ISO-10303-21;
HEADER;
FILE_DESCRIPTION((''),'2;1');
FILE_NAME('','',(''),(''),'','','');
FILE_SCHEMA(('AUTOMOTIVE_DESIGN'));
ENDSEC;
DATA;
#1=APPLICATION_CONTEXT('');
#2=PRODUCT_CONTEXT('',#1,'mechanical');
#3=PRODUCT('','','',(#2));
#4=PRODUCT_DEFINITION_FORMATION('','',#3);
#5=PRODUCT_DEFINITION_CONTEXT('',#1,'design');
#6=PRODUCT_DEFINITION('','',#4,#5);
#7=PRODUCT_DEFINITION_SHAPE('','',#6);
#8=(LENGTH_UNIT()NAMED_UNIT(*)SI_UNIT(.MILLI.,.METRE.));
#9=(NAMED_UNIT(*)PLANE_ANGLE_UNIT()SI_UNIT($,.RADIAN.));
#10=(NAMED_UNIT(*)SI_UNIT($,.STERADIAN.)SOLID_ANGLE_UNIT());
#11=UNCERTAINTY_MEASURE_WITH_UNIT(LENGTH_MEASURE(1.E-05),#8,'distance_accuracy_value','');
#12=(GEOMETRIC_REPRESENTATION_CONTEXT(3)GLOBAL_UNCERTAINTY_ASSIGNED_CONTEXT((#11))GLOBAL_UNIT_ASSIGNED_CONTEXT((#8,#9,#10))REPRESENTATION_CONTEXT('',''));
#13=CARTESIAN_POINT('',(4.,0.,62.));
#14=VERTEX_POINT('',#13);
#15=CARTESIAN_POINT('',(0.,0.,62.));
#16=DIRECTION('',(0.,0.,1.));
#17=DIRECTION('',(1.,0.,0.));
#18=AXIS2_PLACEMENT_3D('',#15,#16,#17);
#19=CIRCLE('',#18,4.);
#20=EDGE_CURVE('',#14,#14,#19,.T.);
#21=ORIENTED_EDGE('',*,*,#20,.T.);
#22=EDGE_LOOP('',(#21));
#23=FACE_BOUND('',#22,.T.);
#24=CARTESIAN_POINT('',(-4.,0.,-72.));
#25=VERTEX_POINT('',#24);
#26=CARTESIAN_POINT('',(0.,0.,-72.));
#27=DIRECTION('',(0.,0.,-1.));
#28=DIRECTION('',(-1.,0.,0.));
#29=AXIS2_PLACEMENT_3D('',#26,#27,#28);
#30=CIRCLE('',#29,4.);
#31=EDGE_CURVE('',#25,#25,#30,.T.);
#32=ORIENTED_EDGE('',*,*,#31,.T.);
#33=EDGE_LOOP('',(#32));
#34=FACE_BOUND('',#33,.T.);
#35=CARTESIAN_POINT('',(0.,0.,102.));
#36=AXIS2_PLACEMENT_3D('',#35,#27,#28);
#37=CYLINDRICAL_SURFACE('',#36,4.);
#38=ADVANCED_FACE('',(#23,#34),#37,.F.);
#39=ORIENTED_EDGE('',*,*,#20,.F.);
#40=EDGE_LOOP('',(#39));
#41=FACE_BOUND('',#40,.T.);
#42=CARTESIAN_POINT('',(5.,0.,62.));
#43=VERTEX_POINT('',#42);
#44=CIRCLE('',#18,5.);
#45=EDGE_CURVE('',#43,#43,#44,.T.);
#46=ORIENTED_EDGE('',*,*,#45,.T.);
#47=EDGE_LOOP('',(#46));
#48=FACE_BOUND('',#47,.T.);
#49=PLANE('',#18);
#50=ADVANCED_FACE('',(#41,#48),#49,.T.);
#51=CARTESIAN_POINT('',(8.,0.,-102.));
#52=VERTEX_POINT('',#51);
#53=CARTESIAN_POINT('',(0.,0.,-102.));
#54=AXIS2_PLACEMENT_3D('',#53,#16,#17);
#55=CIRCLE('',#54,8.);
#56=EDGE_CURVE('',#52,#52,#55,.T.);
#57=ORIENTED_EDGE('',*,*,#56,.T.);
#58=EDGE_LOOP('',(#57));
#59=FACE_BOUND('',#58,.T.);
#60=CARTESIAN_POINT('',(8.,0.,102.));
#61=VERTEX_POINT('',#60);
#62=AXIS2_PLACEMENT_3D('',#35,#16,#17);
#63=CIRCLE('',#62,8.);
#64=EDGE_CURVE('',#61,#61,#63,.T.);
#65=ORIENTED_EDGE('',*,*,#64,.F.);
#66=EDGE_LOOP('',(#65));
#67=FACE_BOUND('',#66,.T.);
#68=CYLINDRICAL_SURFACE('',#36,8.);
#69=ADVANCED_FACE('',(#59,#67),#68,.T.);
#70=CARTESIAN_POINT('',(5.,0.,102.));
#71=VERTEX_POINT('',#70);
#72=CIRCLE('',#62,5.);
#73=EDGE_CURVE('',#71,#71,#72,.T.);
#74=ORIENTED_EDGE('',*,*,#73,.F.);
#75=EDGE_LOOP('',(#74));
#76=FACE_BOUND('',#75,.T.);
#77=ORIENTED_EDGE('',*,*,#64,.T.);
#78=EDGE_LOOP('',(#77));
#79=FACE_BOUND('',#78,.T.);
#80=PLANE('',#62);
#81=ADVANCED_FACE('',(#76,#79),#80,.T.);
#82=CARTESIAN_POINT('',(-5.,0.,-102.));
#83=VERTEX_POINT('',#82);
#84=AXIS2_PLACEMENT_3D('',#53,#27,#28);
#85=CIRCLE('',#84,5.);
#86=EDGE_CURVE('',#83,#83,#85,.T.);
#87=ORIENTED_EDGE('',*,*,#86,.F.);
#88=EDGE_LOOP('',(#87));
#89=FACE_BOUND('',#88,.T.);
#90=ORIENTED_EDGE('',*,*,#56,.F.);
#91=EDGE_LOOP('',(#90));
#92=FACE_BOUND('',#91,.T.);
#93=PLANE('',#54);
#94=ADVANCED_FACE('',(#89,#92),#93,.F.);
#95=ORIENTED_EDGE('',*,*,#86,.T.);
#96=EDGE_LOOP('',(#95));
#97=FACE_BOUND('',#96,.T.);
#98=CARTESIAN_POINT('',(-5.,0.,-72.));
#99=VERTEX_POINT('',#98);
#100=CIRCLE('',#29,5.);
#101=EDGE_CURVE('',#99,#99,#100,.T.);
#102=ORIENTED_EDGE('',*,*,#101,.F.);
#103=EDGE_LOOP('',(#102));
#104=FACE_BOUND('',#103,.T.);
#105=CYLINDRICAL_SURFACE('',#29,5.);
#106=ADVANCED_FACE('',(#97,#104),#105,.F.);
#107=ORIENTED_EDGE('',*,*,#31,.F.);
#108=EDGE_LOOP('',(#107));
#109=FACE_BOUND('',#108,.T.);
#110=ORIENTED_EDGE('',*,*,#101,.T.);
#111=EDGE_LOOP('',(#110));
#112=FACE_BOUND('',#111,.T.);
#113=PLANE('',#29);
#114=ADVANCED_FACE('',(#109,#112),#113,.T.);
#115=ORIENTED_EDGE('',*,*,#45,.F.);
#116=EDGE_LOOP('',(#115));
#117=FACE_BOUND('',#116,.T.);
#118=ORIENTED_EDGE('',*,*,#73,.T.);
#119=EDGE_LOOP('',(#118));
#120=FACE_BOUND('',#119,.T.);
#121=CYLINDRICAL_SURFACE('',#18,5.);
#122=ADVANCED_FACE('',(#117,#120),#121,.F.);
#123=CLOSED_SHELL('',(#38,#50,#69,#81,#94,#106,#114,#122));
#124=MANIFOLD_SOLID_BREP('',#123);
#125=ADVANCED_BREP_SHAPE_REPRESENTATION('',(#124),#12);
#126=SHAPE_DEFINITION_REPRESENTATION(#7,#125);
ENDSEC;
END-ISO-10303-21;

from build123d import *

# Parameters (mm, degrees)
SZKIC1_R                    = 8
SZKIC1_R_2                  = 4
DODANIE_WYCI_GNI_CIE1_DEPTH = 102
SZKIC2_R                    = 5
WYTNIJ_WYCI_GNI_CIE1_DEPTH  = 40
WYTNIJ_WYCI_GNI_CIE2_START  = -30
SZKIC3_R                    = 5
WYTNIJ_WYCI_GNI_CIE2_DEPTH  = 30


with BuildPart() as part:
    # Szkic1 → Dodanie-wyciągnięcie1 (new, symmetric)
    with BuildSketch(Plane.XY):
        Circle(SZKIC1_R)
        Circle(SZKIC1_R_2, mode=Mode.SUBTRACT)
    extrude(amount=DODANIE_WYCI_GNI_CIE1_DEPTH, both=True)

    # Szkic2 → Wytnij-wyciągnięcie1 (cut)
    with BuildSketch(Plane.XY.offset(102)):
        Circle(SZKIC2_R)
    extrude(amount=-WYTNIJ_WYCI_GNI_CIE1_DEPTH, mode=Mode.SUBTRACT)

    # Szkic3 → Wytnij-wyciągnięcie2 (cut)
    with BuildSketch(Plane(origin=(0, 0, -102), x_dir=(-1, 0, 0), z_dir=(0, 0, -1)).offset(WYTNIJ_WYCI_GNI_CIE2_START)):
        with Locations(Location((0, 0, 0), (0, 0, 180))):
            Circle(SZKIC3_R)
    extrude(amount=WYTNIJ_WYCI_GNI_CIE2_DEPTH, mode=Mode.SUBTRACT)


solid = part.part
